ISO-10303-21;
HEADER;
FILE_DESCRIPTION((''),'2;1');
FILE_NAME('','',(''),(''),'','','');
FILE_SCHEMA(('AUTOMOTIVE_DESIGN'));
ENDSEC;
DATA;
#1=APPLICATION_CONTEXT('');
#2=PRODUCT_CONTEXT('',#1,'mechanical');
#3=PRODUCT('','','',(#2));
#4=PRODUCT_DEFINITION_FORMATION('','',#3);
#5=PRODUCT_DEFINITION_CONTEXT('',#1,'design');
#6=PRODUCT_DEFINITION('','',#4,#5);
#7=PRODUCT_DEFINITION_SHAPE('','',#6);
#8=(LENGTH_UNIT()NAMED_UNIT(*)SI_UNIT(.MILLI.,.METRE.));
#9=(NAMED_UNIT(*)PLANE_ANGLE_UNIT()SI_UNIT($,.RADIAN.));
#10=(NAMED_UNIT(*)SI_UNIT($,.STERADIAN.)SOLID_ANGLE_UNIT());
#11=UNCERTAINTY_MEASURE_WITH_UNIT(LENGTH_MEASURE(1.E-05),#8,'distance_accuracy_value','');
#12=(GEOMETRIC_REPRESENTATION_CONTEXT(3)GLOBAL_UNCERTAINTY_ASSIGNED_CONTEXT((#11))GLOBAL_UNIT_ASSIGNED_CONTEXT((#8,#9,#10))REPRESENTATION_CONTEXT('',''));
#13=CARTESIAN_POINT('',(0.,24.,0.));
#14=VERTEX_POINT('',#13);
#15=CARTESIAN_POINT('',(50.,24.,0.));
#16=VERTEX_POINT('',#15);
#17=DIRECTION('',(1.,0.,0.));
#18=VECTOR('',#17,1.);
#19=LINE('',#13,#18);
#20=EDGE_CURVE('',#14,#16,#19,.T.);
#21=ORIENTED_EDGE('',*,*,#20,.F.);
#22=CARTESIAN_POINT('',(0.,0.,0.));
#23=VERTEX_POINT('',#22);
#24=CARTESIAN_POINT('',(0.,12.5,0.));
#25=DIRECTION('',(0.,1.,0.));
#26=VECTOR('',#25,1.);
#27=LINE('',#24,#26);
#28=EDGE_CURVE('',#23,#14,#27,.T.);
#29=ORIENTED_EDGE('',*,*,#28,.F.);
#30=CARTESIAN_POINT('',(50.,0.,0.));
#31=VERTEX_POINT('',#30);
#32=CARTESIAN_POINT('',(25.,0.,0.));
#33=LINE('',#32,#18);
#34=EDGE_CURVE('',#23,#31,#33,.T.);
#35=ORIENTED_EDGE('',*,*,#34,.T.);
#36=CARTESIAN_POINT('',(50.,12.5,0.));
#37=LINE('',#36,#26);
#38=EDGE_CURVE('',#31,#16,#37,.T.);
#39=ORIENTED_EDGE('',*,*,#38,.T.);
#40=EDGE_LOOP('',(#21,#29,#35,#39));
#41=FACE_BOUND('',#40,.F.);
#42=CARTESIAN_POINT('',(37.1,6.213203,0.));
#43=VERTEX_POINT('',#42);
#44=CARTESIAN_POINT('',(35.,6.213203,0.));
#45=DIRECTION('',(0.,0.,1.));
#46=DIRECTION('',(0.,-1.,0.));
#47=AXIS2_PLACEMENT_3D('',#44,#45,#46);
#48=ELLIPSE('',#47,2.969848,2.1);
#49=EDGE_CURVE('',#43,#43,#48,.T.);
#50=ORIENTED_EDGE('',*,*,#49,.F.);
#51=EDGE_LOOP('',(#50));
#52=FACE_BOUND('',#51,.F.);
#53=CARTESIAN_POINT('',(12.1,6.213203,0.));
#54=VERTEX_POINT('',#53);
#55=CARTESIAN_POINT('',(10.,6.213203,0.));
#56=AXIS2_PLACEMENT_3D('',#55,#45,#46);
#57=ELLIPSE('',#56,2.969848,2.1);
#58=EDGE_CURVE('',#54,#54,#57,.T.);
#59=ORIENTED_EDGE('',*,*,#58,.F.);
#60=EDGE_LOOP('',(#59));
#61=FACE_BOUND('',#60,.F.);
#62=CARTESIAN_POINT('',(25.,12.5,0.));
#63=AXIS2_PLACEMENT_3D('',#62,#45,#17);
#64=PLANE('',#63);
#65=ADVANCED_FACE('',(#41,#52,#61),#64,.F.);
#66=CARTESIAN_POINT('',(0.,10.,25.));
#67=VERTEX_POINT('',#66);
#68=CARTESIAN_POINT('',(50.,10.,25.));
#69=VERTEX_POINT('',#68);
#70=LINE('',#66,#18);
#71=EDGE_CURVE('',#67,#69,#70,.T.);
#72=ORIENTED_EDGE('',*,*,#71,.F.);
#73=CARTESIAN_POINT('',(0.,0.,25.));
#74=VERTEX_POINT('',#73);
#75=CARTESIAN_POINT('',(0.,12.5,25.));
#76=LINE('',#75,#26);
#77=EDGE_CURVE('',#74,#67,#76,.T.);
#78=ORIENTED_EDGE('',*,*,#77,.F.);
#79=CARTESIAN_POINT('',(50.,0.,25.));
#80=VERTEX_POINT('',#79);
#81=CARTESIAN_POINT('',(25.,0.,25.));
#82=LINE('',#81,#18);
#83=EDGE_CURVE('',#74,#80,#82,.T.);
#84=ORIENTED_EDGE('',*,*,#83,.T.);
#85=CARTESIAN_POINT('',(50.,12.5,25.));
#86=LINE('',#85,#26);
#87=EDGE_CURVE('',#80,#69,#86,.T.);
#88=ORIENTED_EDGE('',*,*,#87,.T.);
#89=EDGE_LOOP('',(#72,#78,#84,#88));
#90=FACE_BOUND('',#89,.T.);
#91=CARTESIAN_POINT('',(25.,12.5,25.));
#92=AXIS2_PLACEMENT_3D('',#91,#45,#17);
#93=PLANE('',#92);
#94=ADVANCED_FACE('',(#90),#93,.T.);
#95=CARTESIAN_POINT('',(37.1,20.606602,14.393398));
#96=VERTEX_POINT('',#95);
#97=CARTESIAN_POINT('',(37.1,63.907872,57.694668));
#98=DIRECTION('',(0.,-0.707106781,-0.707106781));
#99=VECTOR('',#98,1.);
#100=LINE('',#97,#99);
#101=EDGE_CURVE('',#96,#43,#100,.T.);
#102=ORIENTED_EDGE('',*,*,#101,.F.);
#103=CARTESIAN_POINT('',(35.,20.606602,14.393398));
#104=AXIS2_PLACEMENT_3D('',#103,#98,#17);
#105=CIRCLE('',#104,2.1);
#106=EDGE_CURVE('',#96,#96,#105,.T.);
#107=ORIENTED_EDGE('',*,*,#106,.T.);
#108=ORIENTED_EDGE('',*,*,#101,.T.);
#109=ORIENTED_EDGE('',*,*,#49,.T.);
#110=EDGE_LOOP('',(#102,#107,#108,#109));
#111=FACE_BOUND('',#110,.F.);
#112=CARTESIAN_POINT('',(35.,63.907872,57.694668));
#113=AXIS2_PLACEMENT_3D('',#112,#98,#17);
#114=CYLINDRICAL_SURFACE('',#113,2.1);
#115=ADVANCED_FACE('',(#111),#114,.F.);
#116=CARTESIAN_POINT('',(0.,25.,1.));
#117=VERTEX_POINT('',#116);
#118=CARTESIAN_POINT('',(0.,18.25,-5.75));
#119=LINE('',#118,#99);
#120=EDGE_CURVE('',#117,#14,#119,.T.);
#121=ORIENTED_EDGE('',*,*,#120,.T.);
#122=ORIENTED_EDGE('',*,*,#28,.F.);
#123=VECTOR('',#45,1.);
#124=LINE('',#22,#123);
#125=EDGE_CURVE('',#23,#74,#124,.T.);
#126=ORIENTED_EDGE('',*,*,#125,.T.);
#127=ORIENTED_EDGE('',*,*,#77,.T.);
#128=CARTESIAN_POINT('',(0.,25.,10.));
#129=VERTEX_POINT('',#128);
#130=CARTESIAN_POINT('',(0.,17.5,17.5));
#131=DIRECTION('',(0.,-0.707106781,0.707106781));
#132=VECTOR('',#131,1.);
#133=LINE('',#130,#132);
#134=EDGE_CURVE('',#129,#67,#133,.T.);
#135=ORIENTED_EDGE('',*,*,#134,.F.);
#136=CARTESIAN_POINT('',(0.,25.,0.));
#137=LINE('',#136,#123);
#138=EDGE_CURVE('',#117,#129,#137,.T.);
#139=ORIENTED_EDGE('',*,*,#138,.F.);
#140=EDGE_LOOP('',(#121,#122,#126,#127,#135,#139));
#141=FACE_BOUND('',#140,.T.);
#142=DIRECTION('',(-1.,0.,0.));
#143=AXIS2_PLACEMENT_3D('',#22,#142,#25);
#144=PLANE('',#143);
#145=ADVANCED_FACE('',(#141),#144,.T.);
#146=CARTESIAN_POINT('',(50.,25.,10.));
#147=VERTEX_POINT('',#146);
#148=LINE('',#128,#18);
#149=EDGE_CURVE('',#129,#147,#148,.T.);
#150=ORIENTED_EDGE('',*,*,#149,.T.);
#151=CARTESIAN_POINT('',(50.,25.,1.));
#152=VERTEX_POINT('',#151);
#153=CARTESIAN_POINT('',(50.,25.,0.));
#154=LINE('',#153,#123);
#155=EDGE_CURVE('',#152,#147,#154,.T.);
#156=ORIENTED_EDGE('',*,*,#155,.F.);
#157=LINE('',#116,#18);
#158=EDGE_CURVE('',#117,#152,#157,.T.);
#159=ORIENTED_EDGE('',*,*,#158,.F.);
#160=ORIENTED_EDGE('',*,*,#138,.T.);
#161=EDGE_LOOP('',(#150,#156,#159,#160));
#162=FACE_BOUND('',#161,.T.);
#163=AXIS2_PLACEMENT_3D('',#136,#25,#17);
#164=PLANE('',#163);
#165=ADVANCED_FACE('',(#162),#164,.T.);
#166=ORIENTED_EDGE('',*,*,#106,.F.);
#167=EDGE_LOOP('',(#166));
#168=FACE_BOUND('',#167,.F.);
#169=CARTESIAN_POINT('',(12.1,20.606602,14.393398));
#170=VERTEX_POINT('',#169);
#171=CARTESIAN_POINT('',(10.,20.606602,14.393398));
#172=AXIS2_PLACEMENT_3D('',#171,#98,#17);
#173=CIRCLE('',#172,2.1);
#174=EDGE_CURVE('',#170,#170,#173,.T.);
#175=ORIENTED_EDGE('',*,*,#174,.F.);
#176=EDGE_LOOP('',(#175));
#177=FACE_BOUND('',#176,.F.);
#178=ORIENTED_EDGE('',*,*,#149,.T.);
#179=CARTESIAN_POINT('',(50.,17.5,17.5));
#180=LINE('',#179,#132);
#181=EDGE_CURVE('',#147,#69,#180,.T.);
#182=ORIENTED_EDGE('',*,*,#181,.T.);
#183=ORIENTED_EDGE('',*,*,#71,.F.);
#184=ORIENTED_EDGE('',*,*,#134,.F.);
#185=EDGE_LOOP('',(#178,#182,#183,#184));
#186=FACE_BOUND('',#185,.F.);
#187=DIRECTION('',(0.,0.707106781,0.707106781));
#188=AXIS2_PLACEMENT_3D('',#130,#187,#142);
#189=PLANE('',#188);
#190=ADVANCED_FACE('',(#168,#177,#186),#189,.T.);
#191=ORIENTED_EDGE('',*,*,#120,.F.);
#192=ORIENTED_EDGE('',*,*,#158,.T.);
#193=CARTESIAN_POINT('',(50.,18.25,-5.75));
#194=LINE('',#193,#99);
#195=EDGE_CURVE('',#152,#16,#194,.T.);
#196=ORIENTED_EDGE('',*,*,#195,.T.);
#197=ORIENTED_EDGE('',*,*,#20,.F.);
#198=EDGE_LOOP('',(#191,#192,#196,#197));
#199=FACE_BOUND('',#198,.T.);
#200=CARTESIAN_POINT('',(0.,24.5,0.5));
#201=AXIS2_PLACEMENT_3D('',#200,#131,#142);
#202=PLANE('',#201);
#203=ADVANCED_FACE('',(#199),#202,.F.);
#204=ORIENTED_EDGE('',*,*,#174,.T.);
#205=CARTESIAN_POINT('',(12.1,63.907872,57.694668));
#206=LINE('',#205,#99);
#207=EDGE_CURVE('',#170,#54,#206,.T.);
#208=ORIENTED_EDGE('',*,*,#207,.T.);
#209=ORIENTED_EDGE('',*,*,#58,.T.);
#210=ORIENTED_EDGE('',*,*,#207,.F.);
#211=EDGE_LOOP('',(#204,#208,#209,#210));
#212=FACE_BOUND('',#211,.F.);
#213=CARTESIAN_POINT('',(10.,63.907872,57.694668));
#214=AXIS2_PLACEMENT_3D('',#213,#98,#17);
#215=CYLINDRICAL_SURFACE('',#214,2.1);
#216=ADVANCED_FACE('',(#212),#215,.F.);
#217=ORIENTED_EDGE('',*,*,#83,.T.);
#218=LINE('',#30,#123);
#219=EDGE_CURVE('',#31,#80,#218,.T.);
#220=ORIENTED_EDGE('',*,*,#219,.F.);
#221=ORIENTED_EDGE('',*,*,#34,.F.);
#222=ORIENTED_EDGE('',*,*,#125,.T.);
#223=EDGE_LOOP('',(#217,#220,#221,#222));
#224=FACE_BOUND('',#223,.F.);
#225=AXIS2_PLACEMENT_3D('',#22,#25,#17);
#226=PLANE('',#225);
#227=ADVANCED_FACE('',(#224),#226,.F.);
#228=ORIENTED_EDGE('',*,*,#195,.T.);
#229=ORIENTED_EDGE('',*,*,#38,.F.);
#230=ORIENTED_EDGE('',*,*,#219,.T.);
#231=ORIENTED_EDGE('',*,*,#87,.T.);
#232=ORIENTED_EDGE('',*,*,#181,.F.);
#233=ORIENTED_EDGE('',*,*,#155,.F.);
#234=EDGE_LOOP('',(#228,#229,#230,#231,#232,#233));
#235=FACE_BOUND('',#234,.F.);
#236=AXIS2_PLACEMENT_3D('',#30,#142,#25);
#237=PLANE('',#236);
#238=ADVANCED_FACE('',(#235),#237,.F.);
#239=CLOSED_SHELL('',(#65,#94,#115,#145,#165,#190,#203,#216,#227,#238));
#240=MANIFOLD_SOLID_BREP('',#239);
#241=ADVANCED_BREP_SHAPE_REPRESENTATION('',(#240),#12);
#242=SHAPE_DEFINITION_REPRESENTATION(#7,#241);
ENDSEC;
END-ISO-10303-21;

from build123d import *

# Parameters (mm, degrees)
F0_W     = 50
F0_H     = 25
F1_DEPTH = 25
F2_SIZE  = 15
F4_D     = 4.2
F5_SIZE  = 1


with BuildPart() as f1:
    # F0 (on Top) → F1 (new body)
    with BuildSketch(Plane.XY):
        with Locations((25, 12.5)):
            Rectangle(F0_W, F0_H)
    extrude(amount=F1_DEPTH)

    # F2
    f2_edges = [f1.edges().sort_by_distance(p)[0] for p in [
        (25, 25, 25),
    ]]
    chamfer(f2_edges, length=F2_SIZE)

    # F4 (through all)
    with Locations(Plane(origin=(0, 17.5, 17.5), x_dir=(-1, 0, 0), z_dir=(0, 0.7071067812, 0.7071067812))):
        with Locations((-10, -4.3933982822), (-35, -4.3933982822)):
            Hole(F4_D / 2)

    # F5
    f5_edges = [f1.edges().sort_by_distance(p)[0] for p in [
        (25, 25, 0),
    ]]
    chamfer(f5_edges, length=F5_SIZE)


solid = f1.part
